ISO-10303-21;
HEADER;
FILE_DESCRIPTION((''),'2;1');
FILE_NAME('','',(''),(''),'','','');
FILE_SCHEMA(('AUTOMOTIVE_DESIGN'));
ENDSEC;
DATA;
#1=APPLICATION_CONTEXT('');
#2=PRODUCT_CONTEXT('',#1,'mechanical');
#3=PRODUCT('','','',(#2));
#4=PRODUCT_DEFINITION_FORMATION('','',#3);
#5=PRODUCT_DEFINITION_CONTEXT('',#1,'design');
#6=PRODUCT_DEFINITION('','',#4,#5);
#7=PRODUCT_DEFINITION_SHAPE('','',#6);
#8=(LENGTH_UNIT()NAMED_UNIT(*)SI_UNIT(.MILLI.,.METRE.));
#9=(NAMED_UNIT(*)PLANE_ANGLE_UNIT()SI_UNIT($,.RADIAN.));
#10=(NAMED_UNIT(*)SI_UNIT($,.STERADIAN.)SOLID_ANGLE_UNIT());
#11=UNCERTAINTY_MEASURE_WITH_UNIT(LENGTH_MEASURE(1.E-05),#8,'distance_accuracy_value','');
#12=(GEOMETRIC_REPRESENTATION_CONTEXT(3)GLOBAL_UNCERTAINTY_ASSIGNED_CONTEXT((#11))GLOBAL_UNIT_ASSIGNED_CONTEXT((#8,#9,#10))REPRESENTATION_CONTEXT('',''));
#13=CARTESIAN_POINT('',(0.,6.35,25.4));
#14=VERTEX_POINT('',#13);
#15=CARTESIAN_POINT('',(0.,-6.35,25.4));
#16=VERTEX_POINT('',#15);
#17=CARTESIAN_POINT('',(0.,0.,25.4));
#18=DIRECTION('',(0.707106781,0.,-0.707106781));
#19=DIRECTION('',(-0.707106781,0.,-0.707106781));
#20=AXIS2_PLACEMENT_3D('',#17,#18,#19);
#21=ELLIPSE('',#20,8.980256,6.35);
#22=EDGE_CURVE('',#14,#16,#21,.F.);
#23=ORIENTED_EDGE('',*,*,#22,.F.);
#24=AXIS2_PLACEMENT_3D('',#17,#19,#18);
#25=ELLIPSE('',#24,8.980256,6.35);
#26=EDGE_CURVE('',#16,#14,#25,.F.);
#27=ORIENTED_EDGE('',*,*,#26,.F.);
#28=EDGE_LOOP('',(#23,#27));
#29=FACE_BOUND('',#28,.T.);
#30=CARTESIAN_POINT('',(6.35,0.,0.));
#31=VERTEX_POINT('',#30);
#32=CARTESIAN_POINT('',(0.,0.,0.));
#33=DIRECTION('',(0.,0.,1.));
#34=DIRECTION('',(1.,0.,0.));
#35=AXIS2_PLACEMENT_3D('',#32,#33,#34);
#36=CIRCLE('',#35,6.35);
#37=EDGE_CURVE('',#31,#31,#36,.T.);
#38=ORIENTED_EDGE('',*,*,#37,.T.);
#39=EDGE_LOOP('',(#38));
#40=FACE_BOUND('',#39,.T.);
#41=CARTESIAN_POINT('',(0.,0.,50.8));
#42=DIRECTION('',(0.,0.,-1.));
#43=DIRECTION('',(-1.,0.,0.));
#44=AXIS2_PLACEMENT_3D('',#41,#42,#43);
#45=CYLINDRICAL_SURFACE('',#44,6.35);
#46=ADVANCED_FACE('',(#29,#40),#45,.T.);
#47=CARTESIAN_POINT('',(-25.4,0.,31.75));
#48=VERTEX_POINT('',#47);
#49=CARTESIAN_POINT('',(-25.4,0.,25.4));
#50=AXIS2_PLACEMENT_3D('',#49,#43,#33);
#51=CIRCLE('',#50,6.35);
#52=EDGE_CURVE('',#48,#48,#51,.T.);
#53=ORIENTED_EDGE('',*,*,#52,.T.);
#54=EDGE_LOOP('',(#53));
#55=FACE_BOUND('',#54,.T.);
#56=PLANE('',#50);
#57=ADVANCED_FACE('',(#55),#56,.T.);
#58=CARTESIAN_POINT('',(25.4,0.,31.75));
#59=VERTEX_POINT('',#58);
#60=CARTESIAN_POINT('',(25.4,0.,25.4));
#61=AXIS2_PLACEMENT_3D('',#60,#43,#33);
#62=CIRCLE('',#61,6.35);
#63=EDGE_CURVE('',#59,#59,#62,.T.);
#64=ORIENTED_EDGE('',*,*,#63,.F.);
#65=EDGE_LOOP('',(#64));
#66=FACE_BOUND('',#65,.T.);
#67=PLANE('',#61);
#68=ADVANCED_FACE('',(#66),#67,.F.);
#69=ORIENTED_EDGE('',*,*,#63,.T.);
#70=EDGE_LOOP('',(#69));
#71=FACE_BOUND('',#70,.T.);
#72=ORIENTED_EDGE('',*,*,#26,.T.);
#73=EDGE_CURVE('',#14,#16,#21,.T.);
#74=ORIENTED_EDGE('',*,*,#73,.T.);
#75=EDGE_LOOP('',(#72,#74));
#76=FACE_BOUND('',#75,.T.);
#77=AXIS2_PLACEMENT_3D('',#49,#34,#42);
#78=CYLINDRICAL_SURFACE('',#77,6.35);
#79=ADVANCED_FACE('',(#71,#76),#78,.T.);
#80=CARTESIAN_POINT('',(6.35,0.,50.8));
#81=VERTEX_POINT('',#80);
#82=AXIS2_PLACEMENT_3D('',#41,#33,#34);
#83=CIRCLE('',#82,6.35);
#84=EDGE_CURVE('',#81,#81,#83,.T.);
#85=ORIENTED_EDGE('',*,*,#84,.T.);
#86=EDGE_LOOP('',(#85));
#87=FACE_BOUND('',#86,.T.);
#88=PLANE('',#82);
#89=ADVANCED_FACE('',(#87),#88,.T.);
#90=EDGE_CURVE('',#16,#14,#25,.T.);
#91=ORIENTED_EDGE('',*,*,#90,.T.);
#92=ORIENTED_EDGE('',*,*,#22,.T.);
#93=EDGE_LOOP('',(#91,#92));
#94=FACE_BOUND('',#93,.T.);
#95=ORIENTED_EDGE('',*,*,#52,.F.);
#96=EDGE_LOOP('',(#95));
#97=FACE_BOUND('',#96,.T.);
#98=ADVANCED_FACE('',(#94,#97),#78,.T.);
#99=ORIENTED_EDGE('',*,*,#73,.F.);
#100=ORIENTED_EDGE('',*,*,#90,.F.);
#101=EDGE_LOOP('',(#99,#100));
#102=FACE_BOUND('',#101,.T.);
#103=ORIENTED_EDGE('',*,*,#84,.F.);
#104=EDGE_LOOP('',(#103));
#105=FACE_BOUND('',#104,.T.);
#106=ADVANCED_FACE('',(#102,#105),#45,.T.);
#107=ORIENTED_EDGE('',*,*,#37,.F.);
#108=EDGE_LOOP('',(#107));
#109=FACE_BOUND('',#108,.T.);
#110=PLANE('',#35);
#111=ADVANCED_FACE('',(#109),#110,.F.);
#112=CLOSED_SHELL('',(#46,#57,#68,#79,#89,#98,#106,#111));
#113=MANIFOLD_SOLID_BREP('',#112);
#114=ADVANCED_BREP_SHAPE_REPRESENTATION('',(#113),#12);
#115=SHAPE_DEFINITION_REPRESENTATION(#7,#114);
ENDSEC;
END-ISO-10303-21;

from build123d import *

# Parameters (mm, degrees)
SKETCH1_R           = 6.35
BOSS_EXTRUDE1_DEPTH = 50.8
CIRPATTERN1_COUNT   = 2
CIRPATTERN1_ANGLE   = 90


with BuildPart() as part:
    # Sketch1 → Boss-Extrude1 (new body)
    with BuildSketch(Plane.XY):
        Circle(SKETCH1_R)
    boss_extrude1 = extrude(amount=BOSS_EXTRUDE1_DEPTH)

    # CirPattern1: Boss-Extrude1 ×2 about axis
    cirpattern1_axis = Axis((0, 6.35, 25.4), (0, -1, 0))
    for i in range(1, CIRPATTERN1_COUNT):
        add(boss_extrude1.rotate(cirpattern1_axis, i * CIRPATTERN1_ANGLE / (CIRPATTERN1_COUNT - 1)))


solid = part.part
